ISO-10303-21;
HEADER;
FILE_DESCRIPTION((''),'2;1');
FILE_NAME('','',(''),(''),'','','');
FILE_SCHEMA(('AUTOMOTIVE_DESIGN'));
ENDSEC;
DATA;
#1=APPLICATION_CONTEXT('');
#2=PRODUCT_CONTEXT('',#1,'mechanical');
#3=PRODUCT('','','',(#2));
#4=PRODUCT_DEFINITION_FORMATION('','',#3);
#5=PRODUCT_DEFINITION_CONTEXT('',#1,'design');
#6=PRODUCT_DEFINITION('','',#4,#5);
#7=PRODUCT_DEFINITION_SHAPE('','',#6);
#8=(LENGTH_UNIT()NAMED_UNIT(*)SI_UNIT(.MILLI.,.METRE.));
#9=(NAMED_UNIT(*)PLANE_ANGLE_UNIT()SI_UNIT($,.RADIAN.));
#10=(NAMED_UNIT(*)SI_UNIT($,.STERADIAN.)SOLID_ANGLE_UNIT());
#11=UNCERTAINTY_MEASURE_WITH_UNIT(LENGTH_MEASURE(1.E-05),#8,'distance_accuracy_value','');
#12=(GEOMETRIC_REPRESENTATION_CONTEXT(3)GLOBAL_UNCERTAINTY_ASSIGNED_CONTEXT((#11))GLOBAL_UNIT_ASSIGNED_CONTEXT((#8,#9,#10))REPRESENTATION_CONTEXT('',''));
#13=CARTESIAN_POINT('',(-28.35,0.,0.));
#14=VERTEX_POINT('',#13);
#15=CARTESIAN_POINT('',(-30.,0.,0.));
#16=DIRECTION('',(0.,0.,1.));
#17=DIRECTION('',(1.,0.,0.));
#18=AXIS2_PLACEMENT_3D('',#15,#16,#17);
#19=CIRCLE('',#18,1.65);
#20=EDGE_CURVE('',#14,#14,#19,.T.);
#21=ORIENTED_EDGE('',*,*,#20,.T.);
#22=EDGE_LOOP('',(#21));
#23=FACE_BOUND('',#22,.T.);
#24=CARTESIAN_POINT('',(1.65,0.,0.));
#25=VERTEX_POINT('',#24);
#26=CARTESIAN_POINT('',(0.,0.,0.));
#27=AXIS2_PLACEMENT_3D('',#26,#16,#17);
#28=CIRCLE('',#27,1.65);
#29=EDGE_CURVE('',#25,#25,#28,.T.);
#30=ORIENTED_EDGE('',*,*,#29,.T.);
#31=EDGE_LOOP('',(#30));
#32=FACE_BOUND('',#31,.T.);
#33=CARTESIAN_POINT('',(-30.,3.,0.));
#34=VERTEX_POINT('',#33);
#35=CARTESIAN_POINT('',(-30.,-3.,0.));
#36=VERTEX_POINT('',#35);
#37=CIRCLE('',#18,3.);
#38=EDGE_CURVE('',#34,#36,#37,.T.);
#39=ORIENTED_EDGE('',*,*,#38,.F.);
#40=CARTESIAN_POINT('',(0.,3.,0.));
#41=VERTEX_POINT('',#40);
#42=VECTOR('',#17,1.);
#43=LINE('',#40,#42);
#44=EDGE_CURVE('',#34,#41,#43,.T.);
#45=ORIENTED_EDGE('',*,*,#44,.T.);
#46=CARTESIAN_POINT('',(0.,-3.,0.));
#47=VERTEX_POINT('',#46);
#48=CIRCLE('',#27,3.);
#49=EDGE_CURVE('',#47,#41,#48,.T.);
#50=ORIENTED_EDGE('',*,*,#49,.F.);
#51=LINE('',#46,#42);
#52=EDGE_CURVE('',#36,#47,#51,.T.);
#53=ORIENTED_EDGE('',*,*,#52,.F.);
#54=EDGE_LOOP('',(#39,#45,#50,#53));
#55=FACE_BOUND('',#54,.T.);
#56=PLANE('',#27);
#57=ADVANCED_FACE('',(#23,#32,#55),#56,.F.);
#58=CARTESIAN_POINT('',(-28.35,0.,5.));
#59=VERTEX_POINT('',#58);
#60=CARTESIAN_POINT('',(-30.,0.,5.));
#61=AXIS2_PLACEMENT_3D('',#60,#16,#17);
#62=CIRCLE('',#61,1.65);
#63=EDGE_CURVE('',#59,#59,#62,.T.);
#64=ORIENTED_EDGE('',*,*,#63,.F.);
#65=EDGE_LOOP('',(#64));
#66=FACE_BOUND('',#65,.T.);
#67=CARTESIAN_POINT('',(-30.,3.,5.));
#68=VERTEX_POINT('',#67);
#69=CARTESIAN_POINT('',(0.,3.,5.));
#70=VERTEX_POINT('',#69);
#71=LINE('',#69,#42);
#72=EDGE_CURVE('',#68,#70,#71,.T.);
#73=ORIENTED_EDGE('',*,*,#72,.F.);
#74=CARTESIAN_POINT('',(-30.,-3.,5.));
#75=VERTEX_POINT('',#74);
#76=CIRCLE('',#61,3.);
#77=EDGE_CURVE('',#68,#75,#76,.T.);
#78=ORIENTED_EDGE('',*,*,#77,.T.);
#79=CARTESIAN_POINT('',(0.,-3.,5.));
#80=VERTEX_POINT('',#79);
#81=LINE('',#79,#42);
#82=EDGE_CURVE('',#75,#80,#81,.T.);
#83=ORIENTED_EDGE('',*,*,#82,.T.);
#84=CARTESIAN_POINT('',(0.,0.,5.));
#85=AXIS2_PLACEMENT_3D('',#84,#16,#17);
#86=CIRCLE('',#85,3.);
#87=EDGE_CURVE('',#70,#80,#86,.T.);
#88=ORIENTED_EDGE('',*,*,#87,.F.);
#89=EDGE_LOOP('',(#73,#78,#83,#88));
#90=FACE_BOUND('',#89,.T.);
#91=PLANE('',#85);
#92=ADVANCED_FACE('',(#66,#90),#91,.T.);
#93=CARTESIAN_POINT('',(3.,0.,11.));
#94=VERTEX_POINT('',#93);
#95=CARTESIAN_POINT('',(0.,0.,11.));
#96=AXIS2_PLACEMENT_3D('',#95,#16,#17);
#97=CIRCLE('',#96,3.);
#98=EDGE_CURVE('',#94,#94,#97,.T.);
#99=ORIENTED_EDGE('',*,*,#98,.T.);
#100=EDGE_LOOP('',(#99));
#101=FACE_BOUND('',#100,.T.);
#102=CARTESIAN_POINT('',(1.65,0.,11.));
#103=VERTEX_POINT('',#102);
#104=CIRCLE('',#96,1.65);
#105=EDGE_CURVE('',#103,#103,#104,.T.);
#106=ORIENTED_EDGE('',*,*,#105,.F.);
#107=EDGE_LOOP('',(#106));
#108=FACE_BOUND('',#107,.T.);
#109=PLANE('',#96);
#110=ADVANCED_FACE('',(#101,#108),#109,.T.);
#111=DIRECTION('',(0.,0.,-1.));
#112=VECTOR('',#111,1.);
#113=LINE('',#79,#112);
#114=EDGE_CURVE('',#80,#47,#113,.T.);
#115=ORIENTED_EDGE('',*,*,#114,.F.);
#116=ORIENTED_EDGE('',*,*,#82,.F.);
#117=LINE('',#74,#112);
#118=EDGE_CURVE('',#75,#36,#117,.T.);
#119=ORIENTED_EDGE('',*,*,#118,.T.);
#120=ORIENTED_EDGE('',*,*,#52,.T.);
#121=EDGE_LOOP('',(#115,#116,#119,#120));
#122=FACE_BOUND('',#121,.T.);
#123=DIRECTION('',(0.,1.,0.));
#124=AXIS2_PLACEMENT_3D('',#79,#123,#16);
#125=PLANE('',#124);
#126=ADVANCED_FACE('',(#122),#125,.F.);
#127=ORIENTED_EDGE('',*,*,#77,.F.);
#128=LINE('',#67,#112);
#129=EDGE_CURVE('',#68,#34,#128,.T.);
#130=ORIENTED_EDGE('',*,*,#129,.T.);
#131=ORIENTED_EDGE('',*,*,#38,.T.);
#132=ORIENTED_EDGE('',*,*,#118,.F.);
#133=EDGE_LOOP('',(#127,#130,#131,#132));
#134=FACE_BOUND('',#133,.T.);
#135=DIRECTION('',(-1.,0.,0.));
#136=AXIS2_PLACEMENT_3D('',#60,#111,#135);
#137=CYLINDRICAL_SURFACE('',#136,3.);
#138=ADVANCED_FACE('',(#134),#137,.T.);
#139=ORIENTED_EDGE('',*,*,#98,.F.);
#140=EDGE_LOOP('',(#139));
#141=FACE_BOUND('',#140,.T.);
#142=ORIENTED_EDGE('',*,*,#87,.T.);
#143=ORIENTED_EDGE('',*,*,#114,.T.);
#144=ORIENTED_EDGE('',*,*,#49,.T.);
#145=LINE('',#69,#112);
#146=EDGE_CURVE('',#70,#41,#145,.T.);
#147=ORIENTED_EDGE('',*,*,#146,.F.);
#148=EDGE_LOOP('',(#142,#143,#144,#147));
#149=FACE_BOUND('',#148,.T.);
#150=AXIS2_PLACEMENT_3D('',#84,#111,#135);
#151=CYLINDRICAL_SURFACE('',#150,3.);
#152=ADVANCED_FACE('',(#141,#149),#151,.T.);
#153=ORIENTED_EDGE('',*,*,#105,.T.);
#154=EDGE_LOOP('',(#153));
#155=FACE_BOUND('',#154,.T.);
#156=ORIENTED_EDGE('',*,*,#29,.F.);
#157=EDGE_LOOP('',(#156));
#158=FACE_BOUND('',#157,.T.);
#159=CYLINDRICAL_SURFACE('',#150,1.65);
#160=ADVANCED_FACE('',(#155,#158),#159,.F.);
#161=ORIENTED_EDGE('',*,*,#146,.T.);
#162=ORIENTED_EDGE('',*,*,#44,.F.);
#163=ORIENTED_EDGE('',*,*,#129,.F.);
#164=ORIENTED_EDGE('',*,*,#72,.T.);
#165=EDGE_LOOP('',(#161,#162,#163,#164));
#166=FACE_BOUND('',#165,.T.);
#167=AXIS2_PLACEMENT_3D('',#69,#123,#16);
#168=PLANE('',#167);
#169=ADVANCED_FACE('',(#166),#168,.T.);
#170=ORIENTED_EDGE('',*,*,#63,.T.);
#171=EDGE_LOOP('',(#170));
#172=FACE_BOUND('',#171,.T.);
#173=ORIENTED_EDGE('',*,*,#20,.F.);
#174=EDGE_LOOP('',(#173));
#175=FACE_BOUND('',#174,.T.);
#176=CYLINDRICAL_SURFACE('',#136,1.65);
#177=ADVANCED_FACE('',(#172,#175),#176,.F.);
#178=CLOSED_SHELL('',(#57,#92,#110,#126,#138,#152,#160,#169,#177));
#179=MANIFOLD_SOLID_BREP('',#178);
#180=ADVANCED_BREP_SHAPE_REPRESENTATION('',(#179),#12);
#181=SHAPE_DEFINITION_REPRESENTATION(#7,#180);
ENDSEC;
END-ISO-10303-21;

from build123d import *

# Parameters (mm, degrees)
SKIZZE1_R                       = 1.65
AUFSATZ_LINEAR_AUSTRAGEN1_DEPTH = 5
SKIZZE2_R                       = 3
SKIZZE2_R_2                     = 1.65
AUFSATZ_LINEAR_AUSTRAGEN2_DEPTH = 6


with BuildPart() as part:
    # Skizze1 → Aufsatz-Linear austragen1 (new body)
    with BuildSketch(Plane.XY):
        with BuildLine():
            Line((0, 3), (-30, 3))
            ThreePointArc((-30, 3), (-33, 0), (-30, -3))
            Line((-30, -3), (0, -3))
            ThreePointArc((0, -3), (3, 0), (0, 3))
        make_face()
        Circle(SKIZZE1_R, mode=Mode.SUBTRACT)
        with Locations((-30, 0)):
            Circle(SKIZZE1_R, mode=Mode.SUBTRACT)
    extrude(amount=AUFSATZ_LINEAR_AUSTRAGEN1_DEPTH)

    # Skizze2 → Aufsatz-Linear austragen2 (add)
    with BuildSketch(Plane.XY.offset(5)):
        with Locations(Location((0, 0, 0), (0, 0, 90))):
            Circle(SKIZZE2_R)
        Circle(SKIZZE2_R_2, mode=Mode.SUBTRACT)
    extrude(amount=AUFSATZ_LINEAR_AUSTRAGEN2_DEPTH)


solid = part.part
